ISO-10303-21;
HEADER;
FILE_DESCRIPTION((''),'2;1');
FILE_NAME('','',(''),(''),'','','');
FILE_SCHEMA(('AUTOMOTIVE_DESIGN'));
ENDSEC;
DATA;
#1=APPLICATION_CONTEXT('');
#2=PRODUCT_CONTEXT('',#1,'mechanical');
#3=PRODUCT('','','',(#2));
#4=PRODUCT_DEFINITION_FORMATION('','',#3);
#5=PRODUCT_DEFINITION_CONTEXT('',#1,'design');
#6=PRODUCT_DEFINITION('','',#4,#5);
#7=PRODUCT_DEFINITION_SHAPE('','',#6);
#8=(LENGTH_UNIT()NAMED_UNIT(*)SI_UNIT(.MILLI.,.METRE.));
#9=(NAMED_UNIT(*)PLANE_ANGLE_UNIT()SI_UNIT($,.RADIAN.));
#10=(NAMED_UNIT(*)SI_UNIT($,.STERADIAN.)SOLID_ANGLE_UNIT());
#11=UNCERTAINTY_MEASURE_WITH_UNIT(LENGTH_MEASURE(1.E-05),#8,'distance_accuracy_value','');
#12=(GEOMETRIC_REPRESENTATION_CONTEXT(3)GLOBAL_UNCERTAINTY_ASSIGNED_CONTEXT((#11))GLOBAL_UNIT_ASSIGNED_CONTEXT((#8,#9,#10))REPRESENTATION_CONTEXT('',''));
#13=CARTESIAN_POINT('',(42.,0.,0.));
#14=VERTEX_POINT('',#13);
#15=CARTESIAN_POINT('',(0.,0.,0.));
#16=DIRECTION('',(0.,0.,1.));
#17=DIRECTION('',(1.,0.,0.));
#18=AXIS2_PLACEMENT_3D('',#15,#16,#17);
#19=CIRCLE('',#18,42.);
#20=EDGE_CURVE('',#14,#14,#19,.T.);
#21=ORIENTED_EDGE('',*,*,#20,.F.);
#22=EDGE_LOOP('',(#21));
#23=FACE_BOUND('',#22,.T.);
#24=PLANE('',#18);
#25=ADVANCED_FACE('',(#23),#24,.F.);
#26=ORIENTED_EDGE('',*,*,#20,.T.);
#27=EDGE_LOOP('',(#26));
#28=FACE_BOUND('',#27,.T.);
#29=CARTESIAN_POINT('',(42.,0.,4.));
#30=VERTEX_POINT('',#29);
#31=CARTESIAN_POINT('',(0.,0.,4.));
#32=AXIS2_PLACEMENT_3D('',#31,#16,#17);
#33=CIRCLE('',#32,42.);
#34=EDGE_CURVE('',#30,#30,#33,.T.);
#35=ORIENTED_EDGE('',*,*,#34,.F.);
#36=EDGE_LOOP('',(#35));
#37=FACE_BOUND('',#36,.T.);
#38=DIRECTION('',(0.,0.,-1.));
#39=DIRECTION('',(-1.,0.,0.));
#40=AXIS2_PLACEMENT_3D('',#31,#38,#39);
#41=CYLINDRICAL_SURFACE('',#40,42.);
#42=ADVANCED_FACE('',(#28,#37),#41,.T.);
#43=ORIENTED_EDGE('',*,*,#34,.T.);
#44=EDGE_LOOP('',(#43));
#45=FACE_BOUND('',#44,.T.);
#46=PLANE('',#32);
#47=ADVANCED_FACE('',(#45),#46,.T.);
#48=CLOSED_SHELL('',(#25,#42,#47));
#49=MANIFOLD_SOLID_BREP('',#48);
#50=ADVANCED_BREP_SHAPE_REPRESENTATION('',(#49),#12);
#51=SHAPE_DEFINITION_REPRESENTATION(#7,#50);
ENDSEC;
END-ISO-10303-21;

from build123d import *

# Parameters (mm, degrees)
ESQUISSE1_R        = 42
BOSS_EXTRU_1_DEPTH = 4


with BuildPart() as part:
    # Esquisse1 → Boss.-Extru.1 (new body)
    with BuildSketch(Plane.XY):
        Circle(ESQUISSE1_R)
    extrude(amount=BOSS_EXTRU_1_DEPTH)


solid = part.part
